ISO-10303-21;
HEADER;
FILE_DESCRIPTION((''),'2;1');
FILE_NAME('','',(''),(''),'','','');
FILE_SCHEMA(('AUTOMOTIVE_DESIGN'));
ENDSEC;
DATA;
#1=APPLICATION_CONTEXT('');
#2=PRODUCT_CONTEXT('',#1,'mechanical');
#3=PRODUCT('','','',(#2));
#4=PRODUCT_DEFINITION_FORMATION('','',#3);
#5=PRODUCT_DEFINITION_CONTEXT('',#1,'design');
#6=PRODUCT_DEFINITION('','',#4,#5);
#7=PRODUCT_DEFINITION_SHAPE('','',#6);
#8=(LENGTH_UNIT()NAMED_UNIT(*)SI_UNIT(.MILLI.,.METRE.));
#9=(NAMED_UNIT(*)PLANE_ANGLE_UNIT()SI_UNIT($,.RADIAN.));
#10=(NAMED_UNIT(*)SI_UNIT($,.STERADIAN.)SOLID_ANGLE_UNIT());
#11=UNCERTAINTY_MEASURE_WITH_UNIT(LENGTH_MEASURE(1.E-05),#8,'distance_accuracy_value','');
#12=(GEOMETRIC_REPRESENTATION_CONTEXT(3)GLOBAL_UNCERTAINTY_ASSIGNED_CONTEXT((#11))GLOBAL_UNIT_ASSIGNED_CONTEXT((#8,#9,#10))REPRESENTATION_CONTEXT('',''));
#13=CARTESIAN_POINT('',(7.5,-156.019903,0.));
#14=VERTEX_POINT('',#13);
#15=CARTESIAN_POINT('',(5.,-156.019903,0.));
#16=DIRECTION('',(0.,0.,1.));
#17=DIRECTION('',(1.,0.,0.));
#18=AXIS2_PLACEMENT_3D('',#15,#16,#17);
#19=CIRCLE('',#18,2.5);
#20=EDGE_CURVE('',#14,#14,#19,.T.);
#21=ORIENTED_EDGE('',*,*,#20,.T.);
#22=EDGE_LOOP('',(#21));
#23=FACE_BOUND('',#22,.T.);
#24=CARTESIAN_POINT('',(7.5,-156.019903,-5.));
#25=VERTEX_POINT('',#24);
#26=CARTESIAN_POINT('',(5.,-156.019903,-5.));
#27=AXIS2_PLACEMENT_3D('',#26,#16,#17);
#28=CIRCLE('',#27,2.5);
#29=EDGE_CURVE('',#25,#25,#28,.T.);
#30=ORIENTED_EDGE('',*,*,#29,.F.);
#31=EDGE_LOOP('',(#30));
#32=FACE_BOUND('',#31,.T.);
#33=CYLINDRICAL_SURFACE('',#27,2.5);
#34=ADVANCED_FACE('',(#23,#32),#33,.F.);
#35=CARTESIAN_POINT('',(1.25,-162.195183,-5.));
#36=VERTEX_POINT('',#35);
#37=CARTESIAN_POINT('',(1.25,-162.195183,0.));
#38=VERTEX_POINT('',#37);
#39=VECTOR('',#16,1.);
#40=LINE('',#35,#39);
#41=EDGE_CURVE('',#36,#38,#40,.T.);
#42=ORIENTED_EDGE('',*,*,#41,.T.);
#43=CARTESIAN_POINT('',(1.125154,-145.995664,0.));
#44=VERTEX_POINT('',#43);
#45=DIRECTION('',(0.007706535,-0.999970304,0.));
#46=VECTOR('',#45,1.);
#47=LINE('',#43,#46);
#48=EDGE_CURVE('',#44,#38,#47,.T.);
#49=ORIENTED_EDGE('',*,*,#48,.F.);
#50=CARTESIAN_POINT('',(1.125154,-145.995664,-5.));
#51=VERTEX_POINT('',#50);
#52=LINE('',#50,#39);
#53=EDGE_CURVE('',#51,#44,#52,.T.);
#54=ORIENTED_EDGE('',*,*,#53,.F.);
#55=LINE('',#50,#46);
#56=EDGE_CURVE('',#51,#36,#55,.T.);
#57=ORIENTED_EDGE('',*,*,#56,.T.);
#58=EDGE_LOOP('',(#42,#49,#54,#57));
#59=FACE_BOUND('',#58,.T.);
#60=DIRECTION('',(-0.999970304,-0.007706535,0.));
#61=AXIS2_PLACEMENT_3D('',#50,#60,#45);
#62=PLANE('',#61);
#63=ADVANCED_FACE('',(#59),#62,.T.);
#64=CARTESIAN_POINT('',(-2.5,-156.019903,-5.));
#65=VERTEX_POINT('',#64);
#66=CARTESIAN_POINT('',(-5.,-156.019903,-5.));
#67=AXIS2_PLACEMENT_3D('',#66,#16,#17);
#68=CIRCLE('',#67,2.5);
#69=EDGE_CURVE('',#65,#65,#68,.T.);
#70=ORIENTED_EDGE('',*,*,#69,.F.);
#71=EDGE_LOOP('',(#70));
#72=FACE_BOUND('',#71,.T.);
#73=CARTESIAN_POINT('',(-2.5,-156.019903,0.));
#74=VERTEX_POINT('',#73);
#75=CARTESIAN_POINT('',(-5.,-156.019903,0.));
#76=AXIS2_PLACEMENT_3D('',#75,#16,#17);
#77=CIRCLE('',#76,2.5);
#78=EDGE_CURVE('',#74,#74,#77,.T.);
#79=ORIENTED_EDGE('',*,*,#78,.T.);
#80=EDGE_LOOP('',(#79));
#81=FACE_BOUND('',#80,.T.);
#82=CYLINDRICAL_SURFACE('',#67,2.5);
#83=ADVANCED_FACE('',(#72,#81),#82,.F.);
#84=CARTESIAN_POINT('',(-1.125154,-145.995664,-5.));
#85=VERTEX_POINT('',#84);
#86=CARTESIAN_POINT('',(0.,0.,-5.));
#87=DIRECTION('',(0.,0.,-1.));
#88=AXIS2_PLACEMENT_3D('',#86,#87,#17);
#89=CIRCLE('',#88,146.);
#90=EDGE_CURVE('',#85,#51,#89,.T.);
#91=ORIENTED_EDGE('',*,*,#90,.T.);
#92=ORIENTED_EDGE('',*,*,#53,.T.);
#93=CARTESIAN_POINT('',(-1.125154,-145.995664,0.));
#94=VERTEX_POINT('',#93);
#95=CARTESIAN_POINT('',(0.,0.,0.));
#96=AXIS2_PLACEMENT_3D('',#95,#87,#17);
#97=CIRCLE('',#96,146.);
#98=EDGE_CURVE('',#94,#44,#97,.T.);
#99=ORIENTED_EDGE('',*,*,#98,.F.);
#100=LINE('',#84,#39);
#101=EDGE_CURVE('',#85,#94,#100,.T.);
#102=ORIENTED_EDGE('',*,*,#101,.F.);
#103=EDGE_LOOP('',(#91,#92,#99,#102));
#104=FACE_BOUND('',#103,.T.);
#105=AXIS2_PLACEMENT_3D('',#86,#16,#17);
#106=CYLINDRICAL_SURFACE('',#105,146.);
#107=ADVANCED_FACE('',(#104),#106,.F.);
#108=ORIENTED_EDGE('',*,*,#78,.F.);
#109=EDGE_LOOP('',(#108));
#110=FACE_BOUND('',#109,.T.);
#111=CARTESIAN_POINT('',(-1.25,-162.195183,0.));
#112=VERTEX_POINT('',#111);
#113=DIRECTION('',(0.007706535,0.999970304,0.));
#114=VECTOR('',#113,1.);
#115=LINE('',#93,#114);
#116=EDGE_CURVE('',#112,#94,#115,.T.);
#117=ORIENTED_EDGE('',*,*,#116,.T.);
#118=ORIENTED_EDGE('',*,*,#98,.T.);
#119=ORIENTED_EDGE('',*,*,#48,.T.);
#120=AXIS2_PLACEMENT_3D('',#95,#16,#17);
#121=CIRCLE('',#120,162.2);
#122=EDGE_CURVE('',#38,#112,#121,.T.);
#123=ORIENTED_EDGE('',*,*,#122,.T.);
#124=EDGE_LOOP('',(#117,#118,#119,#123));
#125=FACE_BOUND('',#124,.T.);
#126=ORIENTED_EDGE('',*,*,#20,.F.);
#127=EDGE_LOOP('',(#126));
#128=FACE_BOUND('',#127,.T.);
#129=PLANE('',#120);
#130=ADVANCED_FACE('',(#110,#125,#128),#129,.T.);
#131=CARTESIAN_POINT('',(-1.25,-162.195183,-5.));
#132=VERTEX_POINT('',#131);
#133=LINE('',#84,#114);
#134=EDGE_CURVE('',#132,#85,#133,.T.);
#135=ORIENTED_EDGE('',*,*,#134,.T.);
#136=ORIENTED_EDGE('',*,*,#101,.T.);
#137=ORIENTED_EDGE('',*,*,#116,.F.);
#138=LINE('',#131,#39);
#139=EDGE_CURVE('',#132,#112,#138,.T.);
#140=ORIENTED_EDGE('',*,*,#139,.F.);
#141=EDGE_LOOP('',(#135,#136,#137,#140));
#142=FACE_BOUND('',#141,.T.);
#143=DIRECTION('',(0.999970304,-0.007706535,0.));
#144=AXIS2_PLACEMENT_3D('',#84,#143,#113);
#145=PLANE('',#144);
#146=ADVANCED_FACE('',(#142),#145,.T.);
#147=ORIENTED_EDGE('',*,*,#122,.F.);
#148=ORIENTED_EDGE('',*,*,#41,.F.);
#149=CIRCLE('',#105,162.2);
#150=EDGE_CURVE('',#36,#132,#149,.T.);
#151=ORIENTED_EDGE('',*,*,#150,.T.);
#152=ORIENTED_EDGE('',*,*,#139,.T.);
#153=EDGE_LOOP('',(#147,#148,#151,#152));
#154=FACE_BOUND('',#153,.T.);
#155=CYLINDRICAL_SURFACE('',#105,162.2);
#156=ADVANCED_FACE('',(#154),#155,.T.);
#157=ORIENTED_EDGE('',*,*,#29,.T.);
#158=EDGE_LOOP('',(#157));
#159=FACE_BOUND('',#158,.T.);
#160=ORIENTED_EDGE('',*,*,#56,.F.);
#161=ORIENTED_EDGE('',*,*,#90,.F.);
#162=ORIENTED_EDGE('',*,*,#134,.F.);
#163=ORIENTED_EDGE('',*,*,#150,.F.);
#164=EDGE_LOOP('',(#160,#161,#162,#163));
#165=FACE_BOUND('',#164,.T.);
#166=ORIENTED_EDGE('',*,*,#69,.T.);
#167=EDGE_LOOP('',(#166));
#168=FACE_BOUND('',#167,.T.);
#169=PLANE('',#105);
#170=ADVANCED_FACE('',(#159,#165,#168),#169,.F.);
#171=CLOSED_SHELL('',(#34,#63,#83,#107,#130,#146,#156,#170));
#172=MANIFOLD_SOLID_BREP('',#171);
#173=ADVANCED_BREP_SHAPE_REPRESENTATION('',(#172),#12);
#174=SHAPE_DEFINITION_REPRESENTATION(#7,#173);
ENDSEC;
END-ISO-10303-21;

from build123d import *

# Parameters (mm, degrees)
BODYSKE_R   = 2.5
BODY_DEPTH  = 5
UNLUG_DEPTH = 5


with BuildPart() as part:
    # BodySke → Body (new body)
    with BuildSketch(Plane.XY):
        with BuildLine():
            Line((1.125154131, -145.995664416), (1.25, -162.195183344))
            ThreePointArc((1.25, -162.195183344), (5.676371918, -162.100644051), (10.098514589, -161.885329796))
            ThreePointArc((10.098514589, -161.885329796), (10.563651318, -161.684989651), (10.7954035, -161.23467945))
            Line((10.7954035, -161.23467945), (10.957598268, -160.002687876))
            ThreePointArc((10.957598268, -160.002687876), (13.335118636, -155.229150535), (18.145600866, -152.92729855))
            ThreePointArc((18.145600866, -152.92729855), (0, 162), (-18.145600866, -152.92729855))
            ThreePointArc((-18.145600866, -152.92729855), (-13.335118636, -155.229150535), (-10.957598268, -160.002687876))
            Line((-10.957598268, -160.002687876), (-10.7954035, -161.23467945))
            ThreePointArc((-10.7954035, -161.23467945), (-10.563651318, -161.684989651), (-10.098514589, -161.885329796))
            ThreePointArc((-10.098514589, -161.885329796), (-5.676371918, -162.100644051), (-1.25, -162.195183344))
            Line((-1.25, -162.195183344), (-1.125154131, -145.995664416))
            ThreePointArc((-1.125154131, -145.995664416), (0, 146), (1.125154131, -145.995664416))
        make_face()
        with Locations((5, -156.019902577)):
            Circle(BODYSKE_R, mode=Mode.SUBTRACT)
        with Locations((-5, -156.019902577)):
            Circle(BODYSKE_R, mode=Mode.SUBTRACT)
    extrude(amount=-BODY_DEPTH)

    # UnlSke → Unlug (add, through all)
    with BuildSketch(Plane.XY):
        with BuildLine():
            Line((-7.791082109, -162.01277431), (-7.012934574, -145.831473793))
            ThreePointArc((-7.012934574, -145.831473793), (0, 146), (7.012934574, -145.831473793))
            Line((7.012934574, -145.831473793), (7.791082109, -162.01277431))
            ThreePointArc((7.791082109, -162.01277431), (0, 162.2), (-7.791082109, -162.01277431))
        make_face()
    extrude(amount=-UNLUG_DEPTH)


solid = part.part
